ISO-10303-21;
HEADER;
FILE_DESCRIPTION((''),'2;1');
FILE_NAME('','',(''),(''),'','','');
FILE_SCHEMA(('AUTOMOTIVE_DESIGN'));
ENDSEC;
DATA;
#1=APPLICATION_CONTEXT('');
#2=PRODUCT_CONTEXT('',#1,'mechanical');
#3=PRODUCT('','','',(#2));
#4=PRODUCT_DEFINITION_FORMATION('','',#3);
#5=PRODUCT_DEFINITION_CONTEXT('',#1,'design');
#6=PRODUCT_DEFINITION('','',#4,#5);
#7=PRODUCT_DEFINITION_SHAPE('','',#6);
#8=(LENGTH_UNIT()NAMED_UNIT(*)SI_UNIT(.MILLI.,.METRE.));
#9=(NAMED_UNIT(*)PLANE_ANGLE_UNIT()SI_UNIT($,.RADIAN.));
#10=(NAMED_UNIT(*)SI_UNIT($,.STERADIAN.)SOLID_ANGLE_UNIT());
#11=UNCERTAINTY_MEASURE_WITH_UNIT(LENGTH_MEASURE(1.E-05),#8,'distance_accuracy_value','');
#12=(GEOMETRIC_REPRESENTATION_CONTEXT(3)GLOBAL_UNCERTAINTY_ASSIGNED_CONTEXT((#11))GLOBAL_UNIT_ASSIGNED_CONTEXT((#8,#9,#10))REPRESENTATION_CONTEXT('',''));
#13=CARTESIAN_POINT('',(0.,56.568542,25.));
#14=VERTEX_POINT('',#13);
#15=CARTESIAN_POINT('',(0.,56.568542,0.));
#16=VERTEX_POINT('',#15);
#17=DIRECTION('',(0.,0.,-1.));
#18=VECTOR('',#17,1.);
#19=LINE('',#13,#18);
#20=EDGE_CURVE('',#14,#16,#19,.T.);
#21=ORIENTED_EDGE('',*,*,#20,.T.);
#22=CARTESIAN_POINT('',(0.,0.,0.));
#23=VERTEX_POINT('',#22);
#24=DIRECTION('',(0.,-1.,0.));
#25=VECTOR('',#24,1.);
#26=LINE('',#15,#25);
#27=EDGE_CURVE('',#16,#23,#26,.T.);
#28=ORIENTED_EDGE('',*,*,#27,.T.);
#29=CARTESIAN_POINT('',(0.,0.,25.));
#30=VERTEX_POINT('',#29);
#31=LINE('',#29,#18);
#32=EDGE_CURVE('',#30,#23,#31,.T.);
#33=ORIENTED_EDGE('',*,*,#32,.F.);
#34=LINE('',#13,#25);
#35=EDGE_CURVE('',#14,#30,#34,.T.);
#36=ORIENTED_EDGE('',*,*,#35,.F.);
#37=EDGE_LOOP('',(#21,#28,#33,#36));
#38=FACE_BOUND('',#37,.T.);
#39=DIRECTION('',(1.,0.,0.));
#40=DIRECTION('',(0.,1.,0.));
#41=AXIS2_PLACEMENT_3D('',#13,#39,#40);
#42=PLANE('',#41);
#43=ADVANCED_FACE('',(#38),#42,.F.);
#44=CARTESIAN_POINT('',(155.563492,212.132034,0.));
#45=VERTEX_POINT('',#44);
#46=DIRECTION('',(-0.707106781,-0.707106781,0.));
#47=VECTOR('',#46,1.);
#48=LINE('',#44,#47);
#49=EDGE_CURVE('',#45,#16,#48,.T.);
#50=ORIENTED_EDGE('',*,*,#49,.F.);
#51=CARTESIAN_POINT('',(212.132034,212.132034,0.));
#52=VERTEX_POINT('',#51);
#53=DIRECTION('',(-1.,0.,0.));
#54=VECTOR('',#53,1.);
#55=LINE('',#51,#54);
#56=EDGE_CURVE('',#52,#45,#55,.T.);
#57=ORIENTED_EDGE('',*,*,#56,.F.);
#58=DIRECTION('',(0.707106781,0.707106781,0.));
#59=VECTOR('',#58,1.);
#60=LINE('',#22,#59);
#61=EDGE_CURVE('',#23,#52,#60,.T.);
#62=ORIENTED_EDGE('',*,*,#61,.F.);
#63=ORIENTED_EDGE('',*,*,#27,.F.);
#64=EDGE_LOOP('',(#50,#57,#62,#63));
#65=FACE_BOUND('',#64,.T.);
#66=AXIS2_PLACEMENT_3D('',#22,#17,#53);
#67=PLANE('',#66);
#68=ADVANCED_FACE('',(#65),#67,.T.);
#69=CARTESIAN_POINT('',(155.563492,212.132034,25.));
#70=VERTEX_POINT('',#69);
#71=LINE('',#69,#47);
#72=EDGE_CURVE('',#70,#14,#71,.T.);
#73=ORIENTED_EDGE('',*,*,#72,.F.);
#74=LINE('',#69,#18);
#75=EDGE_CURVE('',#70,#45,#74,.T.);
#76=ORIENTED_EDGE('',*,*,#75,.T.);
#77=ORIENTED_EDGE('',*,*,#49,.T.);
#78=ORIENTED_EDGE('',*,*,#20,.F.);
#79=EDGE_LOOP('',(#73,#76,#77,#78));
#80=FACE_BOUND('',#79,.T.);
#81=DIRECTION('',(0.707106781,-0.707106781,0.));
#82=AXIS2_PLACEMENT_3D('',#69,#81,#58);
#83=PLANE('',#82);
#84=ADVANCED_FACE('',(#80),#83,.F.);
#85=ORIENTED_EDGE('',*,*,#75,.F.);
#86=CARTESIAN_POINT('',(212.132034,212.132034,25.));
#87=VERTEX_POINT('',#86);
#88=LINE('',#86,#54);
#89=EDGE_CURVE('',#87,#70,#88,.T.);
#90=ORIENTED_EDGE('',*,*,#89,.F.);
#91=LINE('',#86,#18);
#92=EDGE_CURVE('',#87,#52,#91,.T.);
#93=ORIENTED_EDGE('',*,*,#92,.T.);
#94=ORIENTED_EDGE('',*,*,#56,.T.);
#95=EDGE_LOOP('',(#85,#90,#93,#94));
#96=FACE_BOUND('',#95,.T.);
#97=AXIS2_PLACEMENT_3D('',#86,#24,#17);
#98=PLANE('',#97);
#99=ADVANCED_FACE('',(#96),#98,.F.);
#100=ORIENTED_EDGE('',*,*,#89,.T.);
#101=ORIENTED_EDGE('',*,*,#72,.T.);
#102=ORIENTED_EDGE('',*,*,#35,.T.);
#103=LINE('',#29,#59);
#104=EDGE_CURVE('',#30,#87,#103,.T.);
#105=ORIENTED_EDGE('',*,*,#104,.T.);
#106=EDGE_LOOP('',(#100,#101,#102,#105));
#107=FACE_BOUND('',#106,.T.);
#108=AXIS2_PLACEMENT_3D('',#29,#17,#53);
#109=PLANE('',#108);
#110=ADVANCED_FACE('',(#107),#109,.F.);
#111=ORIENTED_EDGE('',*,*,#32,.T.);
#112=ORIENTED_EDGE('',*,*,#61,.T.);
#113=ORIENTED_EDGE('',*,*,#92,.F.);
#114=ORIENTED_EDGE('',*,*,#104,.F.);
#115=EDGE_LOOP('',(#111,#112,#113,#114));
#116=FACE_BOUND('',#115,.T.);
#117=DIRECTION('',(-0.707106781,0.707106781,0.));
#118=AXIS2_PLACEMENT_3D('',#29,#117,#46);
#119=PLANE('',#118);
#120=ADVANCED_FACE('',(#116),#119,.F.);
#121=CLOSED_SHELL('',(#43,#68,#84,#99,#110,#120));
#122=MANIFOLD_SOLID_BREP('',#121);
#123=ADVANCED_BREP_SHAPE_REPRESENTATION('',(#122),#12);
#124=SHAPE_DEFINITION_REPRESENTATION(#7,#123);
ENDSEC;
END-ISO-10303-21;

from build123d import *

# Parameters (mm, degrees)
BOSS_EXTRU_1_DEPTH = 25


with BuildPart() as part:
    # Esquisse1 → Boss.-Extru.1 (new body)
    with BuildSketch(Plane.XY):
        Polygon((0, 0), (212.132034356, 212.132034356), (155.563491861, 212.132034356), (0, 56.568542495), align=None)
    extrude(amount=BOSS_EXTRU_1_DEPTH)


solid = part.part
